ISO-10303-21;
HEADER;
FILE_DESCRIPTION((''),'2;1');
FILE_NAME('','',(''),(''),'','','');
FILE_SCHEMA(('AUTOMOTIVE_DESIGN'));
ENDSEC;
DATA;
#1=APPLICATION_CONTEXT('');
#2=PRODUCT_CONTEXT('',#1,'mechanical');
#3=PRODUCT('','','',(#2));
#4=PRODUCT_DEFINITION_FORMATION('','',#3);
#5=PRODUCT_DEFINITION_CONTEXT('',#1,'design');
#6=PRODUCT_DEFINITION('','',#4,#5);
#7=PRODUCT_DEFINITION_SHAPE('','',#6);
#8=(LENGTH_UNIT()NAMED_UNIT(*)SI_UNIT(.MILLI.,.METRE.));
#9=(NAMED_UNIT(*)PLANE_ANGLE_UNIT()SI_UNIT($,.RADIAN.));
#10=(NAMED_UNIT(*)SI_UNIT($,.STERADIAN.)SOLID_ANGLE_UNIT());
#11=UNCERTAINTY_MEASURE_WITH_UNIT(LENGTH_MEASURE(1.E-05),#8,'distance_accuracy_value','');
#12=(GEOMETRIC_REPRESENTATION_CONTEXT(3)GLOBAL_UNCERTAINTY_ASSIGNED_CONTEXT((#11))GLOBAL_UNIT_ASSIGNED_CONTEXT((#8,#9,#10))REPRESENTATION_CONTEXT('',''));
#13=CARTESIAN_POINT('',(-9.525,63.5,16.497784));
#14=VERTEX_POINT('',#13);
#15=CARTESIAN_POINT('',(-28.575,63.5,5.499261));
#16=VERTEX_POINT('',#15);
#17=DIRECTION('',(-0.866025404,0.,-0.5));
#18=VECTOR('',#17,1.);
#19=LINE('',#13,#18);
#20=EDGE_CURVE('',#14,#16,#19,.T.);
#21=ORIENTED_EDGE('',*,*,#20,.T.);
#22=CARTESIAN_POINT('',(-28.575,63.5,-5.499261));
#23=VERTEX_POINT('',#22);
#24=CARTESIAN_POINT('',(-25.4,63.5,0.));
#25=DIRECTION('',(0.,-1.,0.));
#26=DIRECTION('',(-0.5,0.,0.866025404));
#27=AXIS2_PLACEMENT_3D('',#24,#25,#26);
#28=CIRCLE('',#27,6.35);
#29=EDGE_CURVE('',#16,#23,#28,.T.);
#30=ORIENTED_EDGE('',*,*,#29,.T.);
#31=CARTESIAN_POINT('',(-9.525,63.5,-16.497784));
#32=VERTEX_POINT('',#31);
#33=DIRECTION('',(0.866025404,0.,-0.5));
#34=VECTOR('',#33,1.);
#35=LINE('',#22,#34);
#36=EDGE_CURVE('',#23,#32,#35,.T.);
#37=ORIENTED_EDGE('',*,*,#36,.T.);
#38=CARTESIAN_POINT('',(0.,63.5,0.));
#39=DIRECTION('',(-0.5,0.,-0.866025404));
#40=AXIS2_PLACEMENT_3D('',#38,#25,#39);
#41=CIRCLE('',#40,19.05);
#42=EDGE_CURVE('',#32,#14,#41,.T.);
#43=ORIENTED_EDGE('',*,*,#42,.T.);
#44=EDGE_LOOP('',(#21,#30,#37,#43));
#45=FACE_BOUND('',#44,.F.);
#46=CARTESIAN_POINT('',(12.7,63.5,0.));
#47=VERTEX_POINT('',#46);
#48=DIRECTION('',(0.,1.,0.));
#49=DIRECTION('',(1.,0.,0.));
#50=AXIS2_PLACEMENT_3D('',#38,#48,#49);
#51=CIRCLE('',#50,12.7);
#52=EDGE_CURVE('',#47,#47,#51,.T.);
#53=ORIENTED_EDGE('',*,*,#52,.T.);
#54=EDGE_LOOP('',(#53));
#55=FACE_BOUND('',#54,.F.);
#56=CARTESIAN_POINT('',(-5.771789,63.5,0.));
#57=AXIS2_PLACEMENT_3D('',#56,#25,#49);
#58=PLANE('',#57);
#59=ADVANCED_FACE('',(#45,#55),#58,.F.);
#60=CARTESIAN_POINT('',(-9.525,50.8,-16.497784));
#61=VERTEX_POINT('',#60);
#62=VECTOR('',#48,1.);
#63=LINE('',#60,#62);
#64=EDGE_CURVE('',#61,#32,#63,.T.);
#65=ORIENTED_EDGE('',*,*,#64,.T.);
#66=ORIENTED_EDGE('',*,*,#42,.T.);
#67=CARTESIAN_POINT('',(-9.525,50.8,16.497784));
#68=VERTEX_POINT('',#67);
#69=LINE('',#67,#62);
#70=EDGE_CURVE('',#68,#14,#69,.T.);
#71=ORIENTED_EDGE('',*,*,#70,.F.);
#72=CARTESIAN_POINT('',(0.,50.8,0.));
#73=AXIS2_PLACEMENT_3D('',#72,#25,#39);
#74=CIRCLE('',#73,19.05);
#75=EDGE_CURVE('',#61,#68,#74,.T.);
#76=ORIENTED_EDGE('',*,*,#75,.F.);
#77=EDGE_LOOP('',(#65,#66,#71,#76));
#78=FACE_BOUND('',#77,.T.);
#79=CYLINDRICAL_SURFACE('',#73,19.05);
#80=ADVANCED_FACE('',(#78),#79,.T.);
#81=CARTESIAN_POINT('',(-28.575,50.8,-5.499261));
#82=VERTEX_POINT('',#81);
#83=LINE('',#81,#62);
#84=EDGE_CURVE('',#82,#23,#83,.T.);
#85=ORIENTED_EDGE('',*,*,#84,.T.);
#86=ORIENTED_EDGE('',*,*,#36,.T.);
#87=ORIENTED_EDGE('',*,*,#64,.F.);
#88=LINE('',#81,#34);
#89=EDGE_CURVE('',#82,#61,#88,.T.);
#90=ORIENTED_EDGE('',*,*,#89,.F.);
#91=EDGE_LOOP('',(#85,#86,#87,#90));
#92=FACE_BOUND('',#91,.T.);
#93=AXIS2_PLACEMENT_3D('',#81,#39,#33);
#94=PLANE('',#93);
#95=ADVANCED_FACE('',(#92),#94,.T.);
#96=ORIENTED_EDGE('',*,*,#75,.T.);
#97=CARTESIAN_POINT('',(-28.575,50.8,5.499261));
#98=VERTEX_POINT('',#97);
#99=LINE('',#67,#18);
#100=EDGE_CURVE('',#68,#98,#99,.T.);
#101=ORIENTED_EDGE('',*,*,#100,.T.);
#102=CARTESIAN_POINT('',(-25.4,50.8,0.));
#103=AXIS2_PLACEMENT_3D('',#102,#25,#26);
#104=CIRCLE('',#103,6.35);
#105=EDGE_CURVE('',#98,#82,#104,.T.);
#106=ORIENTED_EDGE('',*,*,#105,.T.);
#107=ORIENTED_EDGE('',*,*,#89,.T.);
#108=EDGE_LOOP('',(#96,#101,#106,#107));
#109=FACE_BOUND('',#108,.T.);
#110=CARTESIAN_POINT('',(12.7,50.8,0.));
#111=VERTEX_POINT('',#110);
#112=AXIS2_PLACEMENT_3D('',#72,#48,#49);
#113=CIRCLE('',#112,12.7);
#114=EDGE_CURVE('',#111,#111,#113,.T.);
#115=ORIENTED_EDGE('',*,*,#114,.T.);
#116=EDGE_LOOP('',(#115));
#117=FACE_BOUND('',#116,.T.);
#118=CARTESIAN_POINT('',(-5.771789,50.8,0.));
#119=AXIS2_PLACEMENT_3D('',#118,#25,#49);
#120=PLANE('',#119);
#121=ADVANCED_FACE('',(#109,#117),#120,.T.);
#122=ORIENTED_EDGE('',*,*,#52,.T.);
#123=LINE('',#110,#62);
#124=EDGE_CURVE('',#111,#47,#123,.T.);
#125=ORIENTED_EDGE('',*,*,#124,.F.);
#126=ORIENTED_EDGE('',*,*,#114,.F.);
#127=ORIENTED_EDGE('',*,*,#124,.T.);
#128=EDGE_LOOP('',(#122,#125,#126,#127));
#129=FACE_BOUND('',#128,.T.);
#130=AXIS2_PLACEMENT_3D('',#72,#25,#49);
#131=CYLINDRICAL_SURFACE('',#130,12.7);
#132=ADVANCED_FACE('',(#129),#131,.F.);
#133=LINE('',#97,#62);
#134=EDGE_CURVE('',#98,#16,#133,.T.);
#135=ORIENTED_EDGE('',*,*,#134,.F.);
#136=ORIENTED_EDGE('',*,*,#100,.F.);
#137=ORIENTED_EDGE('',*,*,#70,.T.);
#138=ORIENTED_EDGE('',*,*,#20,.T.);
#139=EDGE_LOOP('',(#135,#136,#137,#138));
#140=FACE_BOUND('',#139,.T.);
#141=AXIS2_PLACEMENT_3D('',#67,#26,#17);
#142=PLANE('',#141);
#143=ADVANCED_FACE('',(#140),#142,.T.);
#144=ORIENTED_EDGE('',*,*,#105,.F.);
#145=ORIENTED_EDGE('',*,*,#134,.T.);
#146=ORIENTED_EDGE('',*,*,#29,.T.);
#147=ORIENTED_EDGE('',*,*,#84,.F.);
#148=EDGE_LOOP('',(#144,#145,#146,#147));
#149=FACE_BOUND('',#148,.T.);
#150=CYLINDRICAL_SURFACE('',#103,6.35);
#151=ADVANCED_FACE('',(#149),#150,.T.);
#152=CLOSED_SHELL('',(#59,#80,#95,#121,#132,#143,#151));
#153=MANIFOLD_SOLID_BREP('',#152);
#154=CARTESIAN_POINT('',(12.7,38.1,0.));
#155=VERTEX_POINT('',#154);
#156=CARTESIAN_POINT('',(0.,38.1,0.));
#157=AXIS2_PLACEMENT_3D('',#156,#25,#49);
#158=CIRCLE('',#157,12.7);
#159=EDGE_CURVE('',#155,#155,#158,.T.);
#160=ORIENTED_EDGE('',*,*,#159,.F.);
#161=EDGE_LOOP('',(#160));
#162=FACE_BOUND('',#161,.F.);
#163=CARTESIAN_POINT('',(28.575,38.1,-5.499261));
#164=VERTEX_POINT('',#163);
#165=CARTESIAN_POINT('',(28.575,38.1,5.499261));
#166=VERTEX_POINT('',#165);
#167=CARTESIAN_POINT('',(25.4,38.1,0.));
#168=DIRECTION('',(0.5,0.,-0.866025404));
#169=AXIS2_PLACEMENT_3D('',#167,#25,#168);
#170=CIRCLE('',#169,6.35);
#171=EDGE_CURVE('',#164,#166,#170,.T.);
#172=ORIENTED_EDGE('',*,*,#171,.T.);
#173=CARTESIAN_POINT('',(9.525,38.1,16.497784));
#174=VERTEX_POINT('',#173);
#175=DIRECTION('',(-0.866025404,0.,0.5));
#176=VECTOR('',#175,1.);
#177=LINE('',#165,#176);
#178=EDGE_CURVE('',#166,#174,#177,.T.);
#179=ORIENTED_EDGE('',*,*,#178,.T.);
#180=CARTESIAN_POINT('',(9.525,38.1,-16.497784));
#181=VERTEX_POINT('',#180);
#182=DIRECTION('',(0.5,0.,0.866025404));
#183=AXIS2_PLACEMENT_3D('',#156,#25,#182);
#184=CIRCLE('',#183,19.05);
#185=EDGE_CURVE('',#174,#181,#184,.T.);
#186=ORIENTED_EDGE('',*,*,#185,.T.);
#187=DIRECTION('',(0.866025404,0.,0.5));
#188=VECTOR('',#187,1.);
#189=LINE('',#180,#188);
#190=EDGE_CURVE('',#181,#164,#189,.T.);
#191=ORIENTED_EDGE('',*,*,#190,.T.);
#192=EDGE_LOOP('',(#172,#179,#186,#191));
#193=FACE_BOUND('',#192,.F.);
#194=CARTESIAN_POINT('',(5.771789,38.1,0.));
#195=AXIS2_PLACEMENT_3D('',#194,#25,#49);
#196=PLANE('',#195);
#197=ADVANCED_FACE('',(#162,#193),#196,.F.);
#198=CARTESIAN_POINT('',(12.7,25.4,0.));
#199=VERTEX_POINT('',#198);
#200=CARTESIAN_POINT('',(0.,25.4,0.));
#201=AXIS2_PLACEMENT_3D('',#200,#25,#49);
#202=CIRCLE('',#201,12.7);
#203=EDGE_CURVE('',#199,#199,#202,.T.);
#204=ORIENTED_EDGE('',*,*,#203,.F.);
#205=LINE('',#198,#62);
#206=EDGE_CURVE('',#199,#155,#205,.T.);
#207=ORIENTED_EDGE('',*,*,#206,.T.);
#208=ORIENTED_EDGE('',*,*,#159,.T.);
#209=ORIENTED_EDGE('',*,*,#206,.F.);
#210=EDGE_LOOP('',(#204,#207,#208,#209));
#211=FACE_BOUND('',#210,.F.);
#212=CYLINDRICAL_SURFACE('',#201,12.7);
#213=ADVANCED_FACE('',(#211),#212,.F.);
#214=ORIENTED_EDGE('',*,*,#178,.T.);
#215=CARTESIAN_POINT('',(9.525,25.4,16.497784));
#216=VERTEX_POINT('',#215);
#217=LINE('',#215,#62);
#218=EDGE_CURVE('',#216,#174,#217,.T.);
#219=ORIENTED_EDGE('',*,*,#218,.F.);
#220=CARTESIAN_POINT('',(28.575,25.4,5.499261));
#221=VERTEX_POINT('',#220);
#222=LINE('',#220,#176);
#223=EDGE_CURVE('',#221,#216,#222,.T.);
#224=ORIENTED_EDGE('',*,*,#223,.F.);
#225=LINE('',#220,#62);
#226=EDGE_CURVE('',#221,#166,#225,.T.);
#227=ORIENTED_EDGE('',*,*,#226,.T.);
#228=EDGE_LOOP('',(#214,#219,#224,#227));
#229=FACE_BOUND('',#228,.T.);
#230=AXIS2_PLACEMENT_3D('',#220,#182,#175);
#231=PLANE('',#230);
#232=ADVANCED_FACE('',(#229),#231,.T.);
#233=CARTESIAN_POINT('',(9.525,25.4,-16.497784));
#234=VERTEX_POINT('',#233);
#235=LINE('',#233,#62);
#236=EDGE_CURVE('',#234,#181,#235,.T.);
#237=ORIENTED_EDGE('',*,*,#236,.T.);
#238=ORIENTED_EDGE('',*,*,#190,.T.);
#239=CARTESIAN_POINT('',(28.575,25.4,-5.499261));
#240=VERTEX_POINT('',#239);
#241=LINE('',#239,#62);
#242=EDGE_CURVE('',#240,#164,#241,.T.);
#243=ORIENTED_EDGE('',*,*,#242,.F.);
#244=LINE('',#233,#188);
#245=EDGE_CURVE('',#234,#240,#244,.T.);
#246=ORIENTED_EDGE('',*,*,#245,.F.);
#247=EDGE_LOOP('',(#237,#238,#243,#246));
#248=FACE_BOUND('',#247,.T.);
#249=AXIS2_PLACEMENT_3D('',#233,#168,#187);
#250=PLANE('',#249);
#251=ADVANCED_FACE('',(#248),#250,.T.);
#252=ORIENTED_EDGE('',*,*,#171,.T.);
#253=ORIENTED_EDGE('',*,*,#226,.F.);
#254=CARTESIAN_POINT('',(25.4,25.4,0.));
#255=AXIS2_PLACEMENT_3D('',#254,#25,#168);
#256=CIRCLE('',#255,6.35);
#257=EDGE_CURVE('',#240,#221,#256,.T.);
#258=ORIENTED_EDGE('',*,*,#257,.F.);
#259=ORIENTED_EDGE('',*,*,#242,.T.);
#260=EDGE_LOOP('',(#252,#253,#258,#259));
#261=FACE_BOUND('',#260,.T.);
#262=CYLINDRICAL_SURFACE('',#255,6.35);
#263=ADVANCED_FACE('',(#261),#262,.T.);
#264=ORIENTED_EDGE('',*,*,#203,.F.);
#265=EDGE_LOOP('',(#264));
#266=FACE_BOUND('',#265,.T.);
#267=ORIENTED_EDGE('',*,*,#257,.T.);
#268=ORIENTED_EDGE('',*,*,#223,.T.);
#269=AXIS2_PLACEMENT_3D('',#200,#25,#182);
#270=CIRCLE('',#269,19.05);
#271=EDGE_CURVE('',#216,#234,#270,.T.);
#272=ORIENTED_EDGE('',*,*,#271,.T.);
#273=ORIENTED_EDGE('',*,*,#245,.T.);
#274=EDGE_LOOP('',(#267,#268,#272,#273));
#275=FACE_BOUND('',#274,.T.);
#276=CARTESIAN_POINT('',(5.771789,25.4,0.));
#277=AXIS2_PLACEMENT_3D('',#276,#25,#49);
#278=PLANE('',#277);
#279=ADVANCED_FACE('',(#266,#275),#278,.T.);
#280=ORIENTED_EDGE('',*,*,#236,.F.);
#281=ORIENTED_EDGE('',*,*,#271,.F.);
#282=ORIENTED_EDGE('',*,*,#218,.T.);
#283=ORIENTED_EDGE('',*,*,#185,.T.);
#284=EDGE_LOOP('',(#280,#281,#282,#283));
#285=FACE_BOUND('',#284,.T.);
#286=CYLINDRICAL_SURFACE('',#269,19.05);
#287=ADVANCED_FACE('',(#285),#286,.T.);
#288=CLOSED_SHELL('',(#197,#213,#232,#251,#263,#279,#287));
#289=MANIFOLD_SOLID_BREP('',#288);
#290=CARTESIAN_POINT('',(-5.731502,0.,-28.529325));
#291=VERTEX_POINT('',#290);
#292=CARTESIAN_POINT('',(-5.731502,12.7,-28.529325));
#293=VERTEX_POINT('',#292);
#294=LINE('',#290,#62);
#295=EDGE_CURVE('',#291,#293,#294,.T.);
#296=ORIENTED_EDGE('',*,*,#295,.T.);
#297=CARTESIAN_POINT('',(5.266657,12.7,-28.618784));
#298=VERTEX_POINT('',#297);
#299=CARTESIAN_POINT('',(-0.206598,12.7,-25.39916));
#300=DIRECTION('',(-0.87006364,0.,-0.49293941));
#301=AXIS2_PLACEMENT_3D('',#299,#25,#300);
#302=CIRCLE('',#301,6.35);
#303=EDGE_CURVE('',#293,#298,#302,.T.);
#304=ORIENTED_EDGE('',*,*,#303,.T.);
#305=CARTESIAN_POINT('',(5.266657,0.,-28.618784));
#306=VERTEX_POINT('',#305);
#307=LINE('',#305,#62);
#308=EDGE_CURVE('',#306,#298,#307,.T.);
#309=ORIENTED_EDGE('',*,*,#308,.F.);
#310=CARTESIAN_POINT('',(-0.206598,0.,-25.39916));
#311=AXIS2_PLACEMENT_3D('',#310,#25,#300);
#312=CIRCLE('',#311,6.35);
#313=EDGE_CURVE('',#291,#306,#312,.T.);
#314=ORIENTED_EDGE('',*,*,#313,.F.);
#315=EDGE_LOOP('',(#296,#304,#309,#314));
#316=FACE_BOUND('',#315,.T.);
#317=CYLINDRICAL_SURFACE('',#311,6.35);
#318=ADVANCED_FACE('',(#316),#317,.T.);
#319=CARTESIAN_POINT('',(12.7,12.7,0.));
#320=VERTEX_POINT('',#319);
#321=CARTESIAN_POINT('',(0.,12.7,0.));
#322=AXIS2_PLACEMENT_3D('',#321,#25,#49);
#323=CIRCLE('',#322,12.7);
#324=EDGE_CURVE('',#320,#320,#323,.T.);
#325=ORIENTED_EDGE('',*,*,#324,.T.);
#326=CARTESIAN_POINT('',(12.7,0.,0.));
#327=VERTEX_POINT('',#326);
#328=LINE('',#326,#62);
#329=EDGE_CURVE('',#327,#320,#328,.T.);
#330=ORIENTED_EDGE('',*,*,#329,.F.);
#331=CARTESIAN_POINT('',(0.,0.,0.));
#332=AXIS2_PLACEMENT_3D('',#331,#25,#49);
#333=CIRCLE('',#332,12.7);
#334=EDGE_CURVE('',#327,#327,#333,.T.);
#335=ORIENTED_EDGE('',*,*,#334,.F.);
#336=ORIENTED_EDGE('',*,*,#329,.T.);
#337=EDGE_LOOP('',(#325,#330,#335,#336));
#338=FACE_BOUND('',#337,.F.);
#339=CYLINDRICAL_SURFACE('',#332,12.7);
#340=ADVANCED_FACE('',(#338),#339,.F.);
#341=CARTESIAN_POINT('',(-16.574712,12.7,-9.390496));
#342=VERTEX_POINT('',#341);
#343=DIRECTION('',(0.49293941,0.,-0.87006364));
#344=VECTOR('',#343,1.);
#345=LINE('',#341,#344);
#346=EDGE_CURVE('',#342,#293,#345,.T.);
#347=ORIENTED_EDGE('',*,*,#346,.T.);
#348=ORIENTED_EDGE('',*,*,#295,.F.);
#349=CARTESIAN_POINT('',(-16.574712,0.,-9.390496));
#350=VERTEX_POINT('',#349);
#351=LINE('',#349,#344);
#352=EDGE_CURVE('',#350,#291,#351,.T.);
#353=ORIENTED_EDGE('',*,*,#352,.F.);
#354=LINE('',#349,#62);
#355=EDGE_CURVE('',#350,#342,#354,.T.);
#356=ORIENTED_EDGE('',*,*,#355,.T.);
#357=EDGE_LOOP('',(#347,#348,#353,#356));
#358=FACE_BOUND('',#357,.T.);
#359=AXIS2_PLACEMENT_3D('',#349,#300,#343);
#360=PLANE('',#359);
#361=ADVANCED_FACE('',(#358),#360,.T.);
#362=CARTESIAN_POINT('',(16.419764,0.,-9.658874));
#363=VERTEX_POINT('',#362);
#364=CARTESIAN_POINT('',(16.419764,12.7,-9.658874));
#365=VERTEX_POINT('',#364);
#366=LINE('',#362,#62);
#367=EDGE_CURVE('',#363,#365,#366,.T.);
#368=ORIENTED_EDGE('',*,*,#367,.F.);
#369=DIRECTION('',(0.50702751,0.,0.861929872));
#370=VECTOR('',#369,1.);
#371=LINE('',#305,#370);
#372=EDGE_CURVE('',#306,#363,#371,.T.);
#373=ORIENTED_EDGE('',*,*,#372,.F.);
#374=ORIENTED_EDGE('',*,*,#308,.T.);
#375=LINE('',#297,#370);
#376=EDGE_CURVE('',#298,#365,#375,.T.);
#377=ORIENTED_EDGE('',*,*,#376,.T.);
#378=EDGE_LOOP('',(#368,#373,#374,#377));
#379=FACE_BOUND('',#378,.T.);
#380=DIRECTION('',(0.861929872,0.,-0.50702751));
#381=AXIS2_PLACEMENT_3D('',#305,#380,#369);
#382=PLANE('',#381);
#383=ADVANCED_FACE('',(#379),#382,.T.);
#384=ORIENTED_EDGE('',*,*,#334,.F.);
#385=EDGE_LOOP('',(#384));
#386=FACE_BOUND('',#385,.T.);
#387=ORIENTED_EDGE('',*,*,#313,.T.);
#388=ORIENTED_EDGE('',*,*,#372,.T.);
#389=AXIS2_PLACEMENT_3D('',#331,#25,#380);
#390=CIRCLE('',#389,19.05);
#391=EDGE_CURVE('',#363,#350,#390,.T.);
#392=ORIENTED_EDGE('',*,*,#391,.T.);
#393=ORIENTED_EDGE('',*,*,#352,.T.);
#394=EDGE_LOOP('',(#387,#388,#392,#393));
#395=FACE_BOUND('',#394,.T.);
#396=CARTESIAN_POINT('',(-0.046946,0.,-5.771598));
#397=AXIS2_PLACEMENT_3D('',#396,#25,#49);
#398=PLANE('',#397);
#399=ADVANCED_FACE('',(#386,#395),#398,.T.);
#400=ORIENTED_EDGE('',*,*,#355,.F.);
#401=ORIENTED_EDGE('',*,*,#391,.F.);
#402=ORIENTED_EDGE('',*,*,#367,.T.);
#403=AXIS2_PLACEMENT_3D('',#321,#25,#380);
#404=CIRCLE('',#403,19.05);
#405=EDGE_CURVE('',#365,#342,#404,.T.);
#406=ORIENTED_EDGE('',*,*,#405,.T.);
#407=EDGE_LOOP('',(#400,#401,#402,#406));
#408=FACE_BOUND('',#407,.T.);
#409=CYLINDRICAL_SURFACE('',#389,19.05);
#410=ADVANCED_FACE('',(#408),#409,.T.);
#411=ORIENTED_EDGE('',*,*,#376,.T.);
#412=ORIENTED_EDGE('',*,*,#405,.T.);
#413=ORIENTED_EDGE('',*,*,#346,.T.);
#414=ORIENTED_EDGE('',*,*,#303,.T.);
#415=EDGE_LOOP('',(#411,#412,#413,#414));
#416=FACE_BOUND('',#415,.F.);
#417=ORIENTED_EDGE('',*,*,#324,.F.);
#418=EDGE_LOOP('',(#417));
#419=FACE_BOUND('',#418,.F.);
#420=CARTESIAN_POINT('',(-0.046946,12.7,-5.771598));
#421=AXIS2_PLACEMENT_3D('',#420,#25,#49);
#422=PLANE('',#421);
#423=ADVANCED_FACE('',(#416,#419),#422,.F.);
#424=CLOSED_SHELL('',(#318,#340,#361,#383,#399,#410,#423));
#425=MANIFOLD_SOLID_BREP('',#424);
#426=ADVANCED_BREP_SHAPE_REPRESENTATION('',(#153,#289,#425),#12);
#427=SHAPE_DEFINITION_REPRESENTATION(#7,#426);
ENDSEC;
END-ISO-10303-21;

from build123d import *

# Parameters (mm, degrees)
F0_R      = 12.7
F1_DEPTH  = 12.7
F4_R      = 12.7
F5_DEPTH  = 12.7
F1_FACE_R = 12.7
F7_DEPTH  = 12.7


with BuildPart() as f1:
    # F0 (on Front) → F1 (new body)
    with BuildSketch(Plane.XZ):
        with BuildLine():
            Line((-16.5747123475, -9.3904957588), (-5.7315018392, -28.52932503))
            ThreePointArc((-5.7315018392, -28.52932503), (-0.2582471542, -31.7489497213), (5.2666569617, -28.6187844684))
            Line((5.2666569617, -28.6187844684), (16.419764055, -9.658874074))
            ThreePointArc((16.419764055, -9.658874074), (0.1549482925, 19.0493698328), (-16.5747123475, -9.3904957588))
        make_face()
        Circle(F0_R, mode=Mode.SUBTRACT)
    extrude(amount=-F1_DEPTH)

    # F6 (on offset) + F1_face (on face) → F7 (join)
    with BuildSketch(Plane.XZ.offset(-50.8)):
        with BuildLine():
            Line((-28.575, -5.499261314), (-9.525, -16.4977839421))
            ThreePointArc((-9.525, -16.4977839421), (19.05, 0), (-9.525, 16.4977839421))
            Line((-9.525, 16.4977839421), (-28.575, 5.499261314))
            ThreePointArc((-28.575, 5.499261314), (-31.75, 0), (-28.575, -5.499261314))
        make_face()
        with BuildLine():
            ThreePointArc((-12.7, 0), (0, 12.7), (12.7, 0))
            ThreePointArc((12.7, 0), (0, -12.7), (-12.7, 0))
        make_face(mode=Mode.SUBTRACT)
    with BuildSketch(Plane(origin=(-0.0482132314, 0, -5.927342989), x_dir=(1, 0, 0), z_dir=(0, -1, 0))):
        with BuildLine():
            ThreePointArc((16.4679772864, -3.731531085), (0.2031615239, 24.9767128218), (-16.5264991162, -3.4631527698))
            Line((-16.5264991162, -3.4631527698), (-5.6832886078, -22.601982041))
            ThreePointArc((-5.6832886078, -22.601982041), (-0.2100339228, -25.8216067323), (5.314870193, -22.6914414794))
            Line((5.314870193, -22.6914414794), (16.4679772864, -3.731531085))
        make_face()
        with Locations((0.0482132314, 5.927342989)):
            Circle(F1_FACE_R, mode=Mode.SUBTRACT)
    extrude(amount=-F7_DEPTH)


with BuildPart() as f5:
    # F4 (on offset) → F5 (new body)
    with BuildSketch(Plane.XZ.offset(-25.4)):
        with BuildLine():
            Line((28.575, 5.499261314), (9.525, 16.4977839421))
            ThreePointArc((9.525, 16.4977839421), (-19.05, 0), (9.525, -16.4977839421))
            Line((9.525, -16.4977839421), (28.575, -5.499261314))
            ThreePointArc((28.575, -5.499261314), (31.75, 0), (28.575, 5.499261314))
        make_face()
        Circle(F4_R, mode=Mode.SUBTRACT)
    extrude(amount=-F5_DEPTH)


solid = Compound([f1.part, f5.part])
